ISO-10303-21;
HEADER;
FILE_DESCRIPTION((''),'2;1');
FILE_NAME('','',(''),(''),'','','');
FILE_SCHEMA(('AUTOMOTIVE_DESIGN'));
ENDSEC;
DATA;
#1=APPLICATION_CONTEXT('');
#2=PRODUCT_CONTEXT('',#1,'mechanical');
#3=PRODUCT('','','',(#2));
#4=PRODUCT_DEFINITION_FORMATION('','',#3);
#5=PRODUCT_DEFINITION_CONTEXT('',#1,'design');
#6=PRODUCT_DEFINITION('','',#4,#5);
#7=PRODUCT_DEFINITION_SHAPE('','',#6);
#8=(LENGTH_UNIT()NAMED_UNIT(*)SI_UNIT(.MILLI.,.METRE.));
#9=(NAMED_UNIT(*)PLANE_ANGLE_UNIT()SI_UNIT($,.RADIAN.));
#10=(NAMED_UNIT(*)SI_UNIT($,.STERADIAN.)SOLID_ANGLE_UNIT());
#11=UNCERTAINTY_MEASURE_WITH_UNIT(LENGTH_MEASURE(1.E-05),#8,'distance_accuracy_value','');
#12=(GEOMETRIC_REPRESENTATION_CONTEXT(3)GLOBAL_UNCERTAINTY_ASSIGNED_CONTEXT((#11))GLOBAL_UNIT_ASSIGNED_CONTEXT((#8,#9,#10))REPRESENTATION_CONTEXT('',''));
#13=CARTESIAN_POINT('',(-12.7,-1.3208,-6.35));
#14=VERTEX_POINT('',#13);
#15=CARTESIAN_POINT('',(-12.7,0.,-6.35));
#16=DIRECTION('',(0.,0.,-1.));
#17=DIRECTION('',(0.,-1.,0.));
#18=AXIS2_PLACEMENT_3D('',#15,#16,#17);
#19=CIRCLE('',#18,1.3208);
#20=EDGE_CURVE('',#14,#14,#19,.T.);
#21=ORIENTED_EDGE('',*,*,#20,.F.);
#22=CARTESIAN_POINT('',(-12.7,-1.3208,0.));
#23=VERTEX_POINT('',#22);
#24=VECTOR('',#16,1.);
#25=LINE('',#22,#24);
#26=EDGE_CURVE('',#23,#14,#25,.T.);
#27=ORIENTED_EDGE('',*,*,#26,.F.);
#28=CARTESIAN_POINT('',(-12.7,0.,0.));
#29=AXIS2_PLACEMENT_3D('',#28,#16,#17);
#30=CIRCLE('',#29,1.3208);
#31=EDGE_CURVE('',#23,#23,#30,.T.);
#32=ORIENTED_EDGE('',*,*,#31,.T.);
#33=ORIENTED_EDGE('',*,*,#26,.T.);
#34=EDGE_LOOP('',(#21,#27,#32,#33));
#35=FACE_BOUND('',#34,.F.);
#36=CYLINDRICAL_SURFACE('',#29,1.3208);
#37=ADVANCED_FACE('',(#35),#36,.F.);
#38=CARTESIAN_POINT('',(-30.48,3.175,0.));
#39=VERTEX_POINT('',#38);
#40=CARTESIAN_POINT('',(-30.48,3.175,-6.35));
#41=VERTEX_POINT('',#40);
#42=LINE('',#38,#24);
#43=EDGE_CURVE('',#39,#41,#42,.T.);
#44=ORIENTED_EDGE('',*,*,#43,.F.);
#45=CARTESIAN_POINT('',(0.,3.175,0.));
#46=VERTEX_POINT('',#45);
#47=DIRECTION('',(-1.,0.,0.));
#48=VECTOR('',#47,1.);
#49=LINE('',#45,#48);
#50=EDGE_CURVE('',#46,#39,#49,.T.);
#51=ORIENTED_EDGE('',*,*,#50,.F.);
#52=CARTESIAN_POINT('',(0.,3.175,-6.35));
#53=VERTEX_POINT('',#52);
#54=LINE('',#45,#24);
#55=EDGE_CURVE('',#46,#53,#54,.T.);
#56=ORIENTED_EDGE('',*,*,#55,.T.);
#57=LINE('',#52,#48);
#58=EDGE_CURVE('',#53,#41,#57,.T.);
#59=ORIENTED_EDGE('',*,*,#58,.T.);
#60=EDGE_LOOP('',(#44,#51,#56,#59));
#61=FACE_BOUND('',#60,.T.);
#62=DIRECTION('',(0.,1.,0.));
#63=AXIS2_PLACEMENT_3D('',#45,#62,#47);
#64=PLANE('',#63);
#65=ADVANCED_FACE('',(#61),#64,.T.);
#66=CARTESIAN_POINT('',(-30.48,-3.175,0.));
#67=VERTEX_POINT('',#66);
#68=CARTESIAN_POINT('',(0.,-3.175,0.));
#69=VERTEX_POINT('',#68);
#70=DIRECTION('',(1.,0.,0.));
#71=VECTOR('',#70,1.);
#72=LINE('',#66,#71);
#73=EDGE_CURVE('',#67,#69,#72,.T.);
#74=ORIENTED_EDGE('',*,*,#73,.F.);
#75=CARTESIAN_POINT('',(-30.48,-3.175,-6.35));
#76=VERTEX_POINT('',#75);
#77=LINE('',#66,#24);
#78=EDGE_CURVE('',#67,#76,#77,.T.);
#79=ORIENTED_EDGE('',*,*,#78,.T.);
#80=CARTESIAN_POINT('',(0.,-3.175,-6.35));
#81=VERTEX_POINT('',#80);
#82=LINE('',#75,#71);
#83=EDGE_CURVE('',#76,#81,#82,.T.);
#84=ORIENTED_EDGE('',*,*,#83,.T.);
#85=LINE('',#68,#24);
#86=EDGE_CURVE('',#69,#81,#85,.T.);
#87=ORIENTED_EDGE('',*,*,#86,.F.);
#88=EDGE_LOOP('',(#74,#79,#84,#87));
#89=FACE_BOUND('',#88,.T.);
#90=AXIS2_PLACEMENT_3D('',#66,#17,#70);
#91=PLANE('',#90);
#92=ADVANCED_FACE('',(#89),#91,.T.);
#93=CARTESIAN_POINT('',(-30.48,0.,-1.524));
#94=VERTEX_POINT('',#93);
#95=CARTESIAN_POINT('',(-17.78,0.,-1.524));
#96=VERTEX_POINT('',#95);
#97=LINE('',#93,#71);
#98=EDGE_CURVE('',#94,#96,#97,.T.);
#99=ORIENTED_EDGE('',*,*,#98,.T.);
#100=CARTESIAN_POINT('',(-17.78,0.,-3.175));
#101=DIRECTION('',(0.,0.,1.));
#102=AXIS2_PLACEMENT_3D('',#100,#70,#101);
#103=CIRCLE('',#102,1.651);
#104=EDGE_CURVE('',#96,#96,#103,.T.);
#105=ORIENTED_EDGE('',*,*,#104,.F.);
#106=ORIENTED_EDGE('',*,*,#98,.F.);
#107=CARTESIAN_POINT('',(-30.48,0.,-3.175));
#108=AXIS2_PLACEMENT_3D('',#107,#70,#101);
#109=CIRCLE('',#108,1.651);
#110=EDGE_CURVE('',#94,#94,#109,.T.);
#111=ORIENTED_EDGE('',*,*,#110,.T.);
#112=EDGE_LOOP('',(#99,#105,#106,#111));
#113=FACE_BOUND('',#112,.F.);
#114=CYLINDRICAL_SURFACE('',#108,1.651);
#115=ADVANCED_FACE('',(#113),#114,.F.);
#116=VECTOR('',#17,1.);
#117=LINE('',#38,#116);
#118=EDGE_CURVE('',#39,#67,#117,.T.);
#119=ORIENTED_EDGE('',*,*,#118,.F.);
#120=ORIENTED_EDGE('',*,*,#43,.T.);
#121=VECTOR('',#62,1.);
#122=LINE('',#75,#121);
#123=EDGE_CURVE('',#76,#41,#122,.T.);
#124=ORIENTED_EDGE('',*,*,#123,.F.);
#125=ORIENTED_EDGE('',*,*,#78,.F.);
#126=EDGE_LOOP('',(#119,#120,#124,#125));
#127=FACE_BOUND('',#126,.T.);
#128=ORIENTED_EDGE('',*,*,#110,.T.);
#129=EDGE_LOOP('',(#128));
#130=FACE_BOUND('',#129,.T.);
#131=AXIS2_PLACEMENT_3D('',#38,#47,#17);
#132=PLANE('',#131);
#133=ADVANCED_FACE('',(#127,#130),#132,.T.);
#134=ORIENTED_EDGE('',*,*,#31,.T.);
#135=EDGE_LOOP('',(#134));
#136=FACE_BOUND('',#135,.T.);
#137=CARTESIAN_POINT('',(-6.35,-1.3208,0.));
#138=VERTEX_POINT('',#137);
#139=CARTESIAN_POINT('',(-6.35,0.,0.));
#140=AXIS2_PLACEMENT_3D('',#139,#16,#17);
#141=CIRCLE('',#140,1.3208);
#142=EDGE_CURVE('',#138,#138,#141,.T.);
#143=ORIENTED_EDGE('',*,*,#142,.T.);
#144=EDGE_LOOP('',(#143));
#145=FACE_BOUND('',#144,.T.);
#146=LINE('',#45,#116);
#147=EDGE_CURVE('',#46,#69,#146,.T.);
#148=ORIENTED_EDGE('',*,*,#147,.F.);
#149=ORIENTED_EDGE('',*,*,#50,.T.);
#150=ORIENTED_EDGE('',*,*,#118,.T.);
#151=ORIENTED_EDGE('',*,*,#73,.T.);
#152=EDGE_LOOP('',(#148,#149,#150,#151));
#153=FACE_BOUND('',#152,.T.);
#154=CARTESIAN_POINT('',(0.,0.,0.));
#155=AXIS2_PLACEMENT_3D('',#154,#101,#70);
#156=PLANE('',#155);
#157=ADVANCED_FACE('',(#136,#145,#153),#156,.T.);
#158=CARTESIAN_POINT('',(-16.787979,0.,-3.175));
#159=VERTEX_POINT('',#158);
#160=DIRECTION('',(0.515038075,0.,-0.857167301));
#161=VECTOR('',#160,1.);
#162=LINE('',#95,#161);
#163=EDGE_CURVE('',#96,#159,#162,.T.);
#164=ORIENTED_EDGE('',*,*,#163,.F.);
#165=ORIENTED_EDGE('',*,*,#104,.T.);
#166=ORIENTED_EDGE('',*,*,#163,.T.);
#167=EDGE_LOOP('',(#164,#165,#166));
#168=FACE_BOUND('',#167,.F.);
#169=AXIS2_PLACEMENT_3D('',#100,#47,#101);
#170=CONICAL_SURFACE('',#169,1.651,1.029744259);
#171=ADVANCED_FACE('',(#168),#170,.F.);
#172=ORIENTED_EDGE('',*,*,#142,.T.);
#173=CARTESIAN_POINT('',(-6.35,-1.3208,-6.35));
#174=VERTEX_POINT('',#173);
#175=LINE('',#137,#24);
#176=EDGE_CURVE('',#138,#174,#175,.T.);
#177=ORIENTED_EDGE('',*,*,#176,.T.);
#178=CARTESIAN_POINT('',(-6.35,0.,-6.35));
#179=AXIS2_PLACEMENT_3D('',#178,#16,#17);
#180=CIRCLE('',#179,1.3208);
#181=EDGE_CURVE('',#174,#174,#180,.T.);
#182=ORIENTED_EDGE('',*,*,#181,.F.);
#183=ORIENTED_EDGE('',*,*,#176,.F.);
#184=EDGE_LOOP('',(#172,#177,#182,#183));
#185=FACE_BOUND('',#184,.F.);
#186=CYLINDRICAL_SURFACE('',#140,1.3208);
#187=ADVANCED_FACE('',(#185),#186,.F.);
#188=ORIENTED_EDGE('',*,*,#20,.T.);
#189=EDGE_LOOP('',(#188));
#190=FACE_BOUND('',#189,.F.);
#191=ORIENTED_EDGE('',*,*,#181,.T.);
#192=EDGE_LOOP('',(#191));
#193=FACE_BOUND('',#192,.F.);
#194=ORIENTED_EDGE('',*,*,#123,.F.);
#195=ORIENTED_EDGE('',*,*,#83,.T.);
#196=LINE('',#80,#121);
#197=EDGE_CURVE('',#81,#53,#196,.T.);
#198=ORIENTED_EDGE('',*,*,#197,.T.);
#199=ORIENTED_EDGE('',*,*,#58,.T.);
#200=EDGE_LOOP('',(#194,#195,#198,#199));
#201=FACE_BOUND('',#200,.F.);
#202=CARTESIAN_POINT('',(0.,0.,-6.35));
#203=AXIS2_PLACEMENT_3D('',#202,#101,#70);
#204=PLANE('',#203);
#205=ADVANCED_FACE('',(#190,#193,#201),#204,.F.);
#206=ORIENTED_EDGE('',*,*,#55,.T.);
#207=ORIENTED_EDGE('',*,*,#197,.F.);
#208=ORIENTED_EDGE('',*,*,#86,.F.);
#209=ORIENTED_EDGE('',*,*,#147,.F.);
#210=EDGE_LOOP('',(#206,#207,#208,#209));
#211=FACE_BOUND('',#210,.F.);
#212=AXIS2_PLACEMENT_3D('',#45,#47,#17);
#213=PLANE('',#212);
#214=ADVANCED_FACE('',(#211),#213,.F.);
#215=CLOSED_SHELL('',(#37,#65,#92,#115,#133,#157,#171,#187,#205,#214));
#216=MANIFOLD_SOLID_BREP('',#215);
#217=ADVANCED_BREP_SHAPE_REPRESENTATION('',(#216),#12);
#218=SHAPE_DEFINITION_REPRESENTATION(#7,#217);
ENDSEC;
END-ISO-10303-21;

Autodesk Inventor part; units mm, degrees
ref_plane "YZ Plane" through (0, 0, 0) normal (1, 0, 0) x (0, 1, 0)
ref_plane "XZ Plane" through (0, 0, 0) normal (0, 1, 0) x (-1, 0, 0)
ref_plane "XY Plane" through (0, 0, 0) normal (0, 0, 1) x (1, 0, 0)
sketch "Sketch1" plane through (0, 0, 0) normal (0, 0, 1) x (1, 0, 0)
  line L0 (0, 4.445) -> (0, -4.445) projected
  line L1 (-38.1, 0) -> (6.35, 0) projected
  line L2 (-30.48, -3.175) -> (0, -3.175)
  line L3 (0, -3.175) -> (0, 3.175)
  line L4 (0, 3.175) -> (-30.48, 3.175)
  line L5 (-30.48, 3.175) -> (-30.48, -3.175)
  line L6 (-30.48, -3.175) -> (0, 3.175) construction
  line L7 (0, -3.175) -> (-30.48, 3.175) construction
  point P0 (0, 0)
  point P1 (-15.24, 0)
  point P2 (-6.35, 0)
  point P3 (-12.7, 0)
  point P4 (-19.05, 0)
  point P5 (-25.4, 0)
  point P6 (-31.75, 0)
  dimension "d0" = 6.35
  dimension "d1" = 30.48
  dimension "d2" = 6.35
  dimension "d3" = 6.35
  dimension "d4" = 6.35
  dimension "d5" = 6.35
  dimension "d6" = 6.35
extrude "Extrusion1" add sketch "Sketch1" against normal blind 6.35
hole "Hole1" at (-6.35, 0, 0) at (-12.7, 0, 0) direction (0, 0, -1) diameter 2.6416 end through all thread size "6-32 UNC" class "2B" standard "ANSI Unified Screw Threads"
hole "Hole2" [suppressed]
fillet "Fillet1" [suppressed]
sketch "Sketch2" plane through (-30.48, -3.175, 0) normal (-1, 0, 0) x (0, 0, 1)
  line L0 (0, 6.35) -> (0, 0) projected
  line L1 (0, 6.35) -> (-6.35, 6.35) projected
  line L2 (-6.35, 0) -> (-6.35, 6.35) projected
  line L3 (0, 0) -> (-6.35, 0) projected
  line L4 (-6.35, 0) -> (-6.35, 6.35) construction
  line L5 (-6.35, 6.35) -> (0, 0) construction
  point P0 (0, 3.175)
  point P1 (-3.175, 3.175)
hole "Hole3" at (-30.48, 0, -3.175) direction (1, 0, 0) diameter 3.302 depth 12.7 tip angle 118 thread size "8-32 UNC" class "2B" standard "ANSI Unified Screw Threads"
properties part number "J010309" material "ALUMINUM, 6061-T651"
